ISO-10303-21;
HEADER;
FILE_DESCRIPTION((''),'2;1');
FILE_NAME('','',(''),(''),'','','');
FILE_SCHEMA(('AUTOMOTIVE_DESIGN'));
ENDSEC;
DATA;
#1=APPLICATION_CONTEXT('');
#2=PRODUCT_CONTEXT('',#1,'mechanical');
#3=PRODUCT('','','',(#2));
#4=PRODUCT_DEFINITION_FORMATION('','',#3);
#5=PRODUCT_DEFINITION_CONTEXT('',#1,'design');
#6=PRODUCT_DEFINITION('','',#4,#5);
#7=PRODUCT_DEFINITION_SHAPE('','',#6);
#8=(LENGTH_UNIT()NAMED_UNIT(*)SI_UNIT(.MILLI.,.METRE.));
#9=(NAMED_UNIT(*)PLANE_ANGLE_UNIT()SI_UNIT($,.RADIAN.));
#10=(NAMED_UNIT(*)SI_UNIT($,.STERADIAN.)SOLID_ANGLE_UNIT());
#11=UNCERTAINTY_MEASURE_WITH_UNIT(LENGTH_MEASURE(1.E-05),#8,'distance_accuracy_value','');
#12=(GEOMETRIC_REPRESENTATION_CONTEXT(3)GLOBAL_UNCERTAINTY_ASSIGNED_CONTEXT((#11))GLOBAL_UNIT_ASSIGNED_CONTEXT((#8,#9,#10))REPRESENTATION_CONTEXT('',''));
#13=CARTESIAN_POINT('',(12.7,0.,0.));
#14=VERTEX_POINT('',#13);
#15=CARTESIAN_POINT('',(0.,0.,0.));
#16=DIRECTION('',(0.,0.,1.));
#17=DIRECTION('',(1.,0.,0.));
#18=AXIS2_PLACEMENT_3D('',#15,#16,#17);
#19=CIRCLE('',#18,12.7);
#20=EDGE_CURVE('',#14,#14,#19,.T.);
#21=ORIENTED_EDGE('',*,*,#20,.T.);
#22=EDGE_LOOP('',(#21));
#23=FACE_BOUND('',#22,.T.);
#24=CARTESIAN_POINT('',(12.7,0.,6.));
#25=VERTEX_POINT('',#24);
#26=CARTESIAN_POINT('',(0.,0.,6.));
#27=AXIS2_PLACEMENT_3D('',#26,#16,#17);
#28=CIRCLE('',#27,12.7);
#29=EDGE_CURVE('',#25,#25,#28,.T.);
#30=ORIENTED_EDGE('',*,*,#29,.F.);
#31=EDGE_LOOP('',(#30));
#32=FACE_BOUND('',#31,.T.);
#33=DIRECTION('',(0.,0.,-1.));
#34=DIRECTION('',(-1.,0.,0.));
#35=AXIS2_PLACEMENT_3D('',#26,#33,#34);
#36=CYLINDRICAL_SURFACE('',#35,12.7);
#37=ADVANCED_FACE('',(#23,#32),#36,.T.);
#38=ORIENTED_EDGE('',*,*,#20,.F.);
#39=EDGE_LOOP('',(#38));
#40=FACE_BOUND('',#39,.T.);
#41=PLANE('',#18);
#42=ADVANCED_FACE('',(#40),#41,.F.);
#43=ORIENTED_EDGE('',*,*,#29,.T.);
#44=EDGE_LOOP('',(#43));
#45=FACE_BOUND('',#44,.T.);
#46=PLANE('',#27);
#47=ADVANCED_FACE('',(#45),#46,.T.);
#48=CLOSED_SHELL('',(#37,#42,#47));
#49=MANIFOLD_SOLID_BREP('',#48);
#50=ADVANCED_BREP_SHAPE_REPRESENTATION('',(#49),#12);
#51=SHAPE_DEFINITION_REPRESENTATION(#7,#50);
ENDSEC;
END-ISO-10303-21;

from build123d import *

# Parameters (mm, degrees)
SKETCH_1_R      = 12.7
EXTRUDE_1_DEPTH = 6


with BuildPart() as part:
    # 草图1 → 凸台-拉伸1 (new body)
    with BuildSketch(Plane.XY):
        Circle(SKETCH_1_R)
    extrude(amount=EXTRUDE_1_DEPTH)


solid = part.part
